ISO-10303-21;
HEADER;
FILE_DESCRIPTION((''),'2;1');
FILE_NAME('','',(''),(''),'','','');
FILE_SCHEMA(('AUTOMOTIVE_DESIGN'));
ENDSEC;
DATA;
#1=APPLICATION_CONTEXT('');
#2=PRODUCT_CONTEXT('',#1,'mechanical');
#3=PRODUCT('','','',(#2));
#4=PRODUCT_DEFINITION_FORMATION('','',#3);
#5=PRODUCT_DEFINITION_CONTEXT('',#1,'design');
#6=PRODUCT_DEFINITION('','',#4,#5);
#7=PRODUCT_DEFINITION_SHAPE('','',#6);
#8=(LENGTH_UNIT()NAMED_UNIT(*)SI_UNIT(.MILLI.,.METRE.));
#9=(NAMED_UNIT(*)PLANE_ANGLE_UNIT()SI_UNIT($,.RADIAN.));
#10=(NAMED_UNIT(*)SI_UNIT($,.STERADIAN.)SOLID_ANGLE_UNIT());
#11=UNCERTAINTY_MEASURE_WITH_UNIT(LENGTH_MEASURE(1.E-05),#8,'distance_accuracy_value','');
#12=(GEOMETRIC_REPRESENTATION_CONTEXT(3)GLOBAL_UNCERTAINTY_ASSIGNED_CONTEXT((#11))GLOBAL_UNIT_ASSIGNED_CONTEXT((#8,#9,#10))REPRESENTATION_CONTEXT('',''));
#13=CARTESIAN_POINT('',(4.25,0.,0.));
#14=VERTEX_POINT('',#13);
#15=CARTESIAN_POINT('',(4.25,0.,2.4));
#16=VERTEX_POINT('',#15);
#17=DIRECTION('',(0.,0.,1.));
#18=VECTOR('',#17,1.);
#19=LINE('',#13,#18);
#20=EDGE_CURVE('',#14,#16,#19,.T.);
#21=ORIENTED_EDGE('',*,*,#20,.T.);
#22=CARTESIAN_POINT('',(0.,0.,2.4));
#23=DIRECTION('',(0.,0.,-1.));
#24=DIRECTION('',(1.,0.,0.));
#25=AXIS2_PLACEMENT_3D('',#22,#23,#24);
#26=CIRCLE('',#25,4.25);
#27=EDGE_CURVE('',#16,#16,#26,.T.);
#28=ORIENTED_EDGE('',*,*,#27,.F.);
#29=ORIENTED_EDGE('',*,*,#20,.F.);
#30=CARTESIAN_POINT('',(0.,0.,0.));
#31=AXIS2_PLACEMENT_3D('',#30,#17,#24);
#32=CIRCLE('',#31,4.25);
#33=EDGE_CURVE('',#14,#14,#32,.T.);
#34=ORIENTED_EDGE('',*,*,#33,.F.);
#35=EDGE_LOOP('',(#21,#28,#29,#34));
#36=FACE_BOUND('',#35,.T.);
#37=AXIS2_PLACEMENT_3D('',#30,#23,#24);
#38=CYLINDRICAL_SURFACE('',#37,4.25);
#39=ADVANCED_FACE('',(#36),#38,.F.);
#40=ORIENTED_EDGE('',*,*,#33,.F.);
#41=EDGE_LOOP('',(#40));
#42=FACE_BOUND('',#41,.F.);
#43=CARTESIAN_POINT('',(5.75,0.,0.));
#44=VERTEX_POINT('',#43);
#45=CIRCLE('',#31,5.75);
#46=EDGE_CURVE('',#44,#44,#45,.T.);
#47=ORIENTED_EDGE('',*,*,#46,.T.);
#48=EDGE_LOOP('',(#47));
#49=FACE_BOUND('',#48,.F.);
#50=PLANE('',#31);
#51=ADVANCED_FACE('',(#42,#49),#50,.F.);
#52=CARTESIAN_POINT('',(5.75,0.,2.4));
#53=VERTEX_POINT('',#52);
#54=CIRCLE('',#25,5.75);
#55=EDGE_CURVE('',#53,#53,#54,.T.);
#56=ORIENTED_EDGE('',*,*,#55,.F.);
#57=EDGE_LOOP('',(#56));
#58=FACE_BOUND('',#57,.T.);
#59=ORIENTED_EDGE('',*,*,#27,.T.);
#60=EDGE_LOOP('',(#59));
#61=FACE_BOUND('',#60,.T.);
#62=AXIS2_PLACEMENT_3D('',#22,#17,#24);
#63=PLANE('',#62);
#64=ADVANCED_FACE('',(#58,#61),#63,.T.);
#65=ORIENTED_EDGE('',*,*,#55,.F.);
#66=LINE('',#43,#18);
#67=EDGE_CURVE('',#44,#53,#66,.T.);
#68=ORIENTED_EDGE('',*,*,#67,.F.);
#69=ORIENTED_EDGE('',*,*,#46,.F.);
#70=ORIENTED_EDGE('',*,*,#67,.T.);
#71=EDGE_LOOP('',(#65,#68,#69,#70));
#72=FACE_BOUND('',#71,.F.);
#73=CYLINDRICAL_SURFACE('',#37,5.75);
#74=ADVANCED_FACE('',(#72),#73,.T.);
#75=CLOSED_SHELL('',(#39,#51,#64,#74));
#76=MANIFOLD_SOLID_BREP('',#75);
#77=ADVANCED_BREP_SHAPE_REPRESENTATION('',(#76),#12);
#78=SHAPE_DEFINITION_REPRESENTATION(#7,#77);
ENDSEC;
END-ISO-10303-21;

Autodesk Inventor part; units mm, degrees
ref_plane "YZ Plane" through (0, 0, 0) normal (1, 0, 0) x (0, 1, 0)
ref_plane "XZ Plane" through (0, 0, 0) normal (0, 1, 0) x (-1, 0, 0)
ref_plane "XY Plane" through (0, 0, 0) normal (0, 0, 1) x (1, 0, 0)
sketch "Náčrt1" plane through (0, 0, 0) normal (0, 0, 1) x (1, 0, 0)
  line L0 (0, 8.05) -> (0, -8.05) projected
  line L1 (-8.05, 0) -> (8.05, 0) projected
  circle A0 centre (0, 0) radius 4.25
  circle A1 centre (0, 0) radius 5.75
  dimension "d0" = 8.5
  dimension "d1" = 11.5
extrude "Vysunutí1" add sketch "Náčrt1" along normal blind 2.4 contours A1 L1 A0 L0 | L0 A0 L1 A1 | A1 L0 A0 L1 | L1 A0 L0 A1
properties part number "krouzek"
